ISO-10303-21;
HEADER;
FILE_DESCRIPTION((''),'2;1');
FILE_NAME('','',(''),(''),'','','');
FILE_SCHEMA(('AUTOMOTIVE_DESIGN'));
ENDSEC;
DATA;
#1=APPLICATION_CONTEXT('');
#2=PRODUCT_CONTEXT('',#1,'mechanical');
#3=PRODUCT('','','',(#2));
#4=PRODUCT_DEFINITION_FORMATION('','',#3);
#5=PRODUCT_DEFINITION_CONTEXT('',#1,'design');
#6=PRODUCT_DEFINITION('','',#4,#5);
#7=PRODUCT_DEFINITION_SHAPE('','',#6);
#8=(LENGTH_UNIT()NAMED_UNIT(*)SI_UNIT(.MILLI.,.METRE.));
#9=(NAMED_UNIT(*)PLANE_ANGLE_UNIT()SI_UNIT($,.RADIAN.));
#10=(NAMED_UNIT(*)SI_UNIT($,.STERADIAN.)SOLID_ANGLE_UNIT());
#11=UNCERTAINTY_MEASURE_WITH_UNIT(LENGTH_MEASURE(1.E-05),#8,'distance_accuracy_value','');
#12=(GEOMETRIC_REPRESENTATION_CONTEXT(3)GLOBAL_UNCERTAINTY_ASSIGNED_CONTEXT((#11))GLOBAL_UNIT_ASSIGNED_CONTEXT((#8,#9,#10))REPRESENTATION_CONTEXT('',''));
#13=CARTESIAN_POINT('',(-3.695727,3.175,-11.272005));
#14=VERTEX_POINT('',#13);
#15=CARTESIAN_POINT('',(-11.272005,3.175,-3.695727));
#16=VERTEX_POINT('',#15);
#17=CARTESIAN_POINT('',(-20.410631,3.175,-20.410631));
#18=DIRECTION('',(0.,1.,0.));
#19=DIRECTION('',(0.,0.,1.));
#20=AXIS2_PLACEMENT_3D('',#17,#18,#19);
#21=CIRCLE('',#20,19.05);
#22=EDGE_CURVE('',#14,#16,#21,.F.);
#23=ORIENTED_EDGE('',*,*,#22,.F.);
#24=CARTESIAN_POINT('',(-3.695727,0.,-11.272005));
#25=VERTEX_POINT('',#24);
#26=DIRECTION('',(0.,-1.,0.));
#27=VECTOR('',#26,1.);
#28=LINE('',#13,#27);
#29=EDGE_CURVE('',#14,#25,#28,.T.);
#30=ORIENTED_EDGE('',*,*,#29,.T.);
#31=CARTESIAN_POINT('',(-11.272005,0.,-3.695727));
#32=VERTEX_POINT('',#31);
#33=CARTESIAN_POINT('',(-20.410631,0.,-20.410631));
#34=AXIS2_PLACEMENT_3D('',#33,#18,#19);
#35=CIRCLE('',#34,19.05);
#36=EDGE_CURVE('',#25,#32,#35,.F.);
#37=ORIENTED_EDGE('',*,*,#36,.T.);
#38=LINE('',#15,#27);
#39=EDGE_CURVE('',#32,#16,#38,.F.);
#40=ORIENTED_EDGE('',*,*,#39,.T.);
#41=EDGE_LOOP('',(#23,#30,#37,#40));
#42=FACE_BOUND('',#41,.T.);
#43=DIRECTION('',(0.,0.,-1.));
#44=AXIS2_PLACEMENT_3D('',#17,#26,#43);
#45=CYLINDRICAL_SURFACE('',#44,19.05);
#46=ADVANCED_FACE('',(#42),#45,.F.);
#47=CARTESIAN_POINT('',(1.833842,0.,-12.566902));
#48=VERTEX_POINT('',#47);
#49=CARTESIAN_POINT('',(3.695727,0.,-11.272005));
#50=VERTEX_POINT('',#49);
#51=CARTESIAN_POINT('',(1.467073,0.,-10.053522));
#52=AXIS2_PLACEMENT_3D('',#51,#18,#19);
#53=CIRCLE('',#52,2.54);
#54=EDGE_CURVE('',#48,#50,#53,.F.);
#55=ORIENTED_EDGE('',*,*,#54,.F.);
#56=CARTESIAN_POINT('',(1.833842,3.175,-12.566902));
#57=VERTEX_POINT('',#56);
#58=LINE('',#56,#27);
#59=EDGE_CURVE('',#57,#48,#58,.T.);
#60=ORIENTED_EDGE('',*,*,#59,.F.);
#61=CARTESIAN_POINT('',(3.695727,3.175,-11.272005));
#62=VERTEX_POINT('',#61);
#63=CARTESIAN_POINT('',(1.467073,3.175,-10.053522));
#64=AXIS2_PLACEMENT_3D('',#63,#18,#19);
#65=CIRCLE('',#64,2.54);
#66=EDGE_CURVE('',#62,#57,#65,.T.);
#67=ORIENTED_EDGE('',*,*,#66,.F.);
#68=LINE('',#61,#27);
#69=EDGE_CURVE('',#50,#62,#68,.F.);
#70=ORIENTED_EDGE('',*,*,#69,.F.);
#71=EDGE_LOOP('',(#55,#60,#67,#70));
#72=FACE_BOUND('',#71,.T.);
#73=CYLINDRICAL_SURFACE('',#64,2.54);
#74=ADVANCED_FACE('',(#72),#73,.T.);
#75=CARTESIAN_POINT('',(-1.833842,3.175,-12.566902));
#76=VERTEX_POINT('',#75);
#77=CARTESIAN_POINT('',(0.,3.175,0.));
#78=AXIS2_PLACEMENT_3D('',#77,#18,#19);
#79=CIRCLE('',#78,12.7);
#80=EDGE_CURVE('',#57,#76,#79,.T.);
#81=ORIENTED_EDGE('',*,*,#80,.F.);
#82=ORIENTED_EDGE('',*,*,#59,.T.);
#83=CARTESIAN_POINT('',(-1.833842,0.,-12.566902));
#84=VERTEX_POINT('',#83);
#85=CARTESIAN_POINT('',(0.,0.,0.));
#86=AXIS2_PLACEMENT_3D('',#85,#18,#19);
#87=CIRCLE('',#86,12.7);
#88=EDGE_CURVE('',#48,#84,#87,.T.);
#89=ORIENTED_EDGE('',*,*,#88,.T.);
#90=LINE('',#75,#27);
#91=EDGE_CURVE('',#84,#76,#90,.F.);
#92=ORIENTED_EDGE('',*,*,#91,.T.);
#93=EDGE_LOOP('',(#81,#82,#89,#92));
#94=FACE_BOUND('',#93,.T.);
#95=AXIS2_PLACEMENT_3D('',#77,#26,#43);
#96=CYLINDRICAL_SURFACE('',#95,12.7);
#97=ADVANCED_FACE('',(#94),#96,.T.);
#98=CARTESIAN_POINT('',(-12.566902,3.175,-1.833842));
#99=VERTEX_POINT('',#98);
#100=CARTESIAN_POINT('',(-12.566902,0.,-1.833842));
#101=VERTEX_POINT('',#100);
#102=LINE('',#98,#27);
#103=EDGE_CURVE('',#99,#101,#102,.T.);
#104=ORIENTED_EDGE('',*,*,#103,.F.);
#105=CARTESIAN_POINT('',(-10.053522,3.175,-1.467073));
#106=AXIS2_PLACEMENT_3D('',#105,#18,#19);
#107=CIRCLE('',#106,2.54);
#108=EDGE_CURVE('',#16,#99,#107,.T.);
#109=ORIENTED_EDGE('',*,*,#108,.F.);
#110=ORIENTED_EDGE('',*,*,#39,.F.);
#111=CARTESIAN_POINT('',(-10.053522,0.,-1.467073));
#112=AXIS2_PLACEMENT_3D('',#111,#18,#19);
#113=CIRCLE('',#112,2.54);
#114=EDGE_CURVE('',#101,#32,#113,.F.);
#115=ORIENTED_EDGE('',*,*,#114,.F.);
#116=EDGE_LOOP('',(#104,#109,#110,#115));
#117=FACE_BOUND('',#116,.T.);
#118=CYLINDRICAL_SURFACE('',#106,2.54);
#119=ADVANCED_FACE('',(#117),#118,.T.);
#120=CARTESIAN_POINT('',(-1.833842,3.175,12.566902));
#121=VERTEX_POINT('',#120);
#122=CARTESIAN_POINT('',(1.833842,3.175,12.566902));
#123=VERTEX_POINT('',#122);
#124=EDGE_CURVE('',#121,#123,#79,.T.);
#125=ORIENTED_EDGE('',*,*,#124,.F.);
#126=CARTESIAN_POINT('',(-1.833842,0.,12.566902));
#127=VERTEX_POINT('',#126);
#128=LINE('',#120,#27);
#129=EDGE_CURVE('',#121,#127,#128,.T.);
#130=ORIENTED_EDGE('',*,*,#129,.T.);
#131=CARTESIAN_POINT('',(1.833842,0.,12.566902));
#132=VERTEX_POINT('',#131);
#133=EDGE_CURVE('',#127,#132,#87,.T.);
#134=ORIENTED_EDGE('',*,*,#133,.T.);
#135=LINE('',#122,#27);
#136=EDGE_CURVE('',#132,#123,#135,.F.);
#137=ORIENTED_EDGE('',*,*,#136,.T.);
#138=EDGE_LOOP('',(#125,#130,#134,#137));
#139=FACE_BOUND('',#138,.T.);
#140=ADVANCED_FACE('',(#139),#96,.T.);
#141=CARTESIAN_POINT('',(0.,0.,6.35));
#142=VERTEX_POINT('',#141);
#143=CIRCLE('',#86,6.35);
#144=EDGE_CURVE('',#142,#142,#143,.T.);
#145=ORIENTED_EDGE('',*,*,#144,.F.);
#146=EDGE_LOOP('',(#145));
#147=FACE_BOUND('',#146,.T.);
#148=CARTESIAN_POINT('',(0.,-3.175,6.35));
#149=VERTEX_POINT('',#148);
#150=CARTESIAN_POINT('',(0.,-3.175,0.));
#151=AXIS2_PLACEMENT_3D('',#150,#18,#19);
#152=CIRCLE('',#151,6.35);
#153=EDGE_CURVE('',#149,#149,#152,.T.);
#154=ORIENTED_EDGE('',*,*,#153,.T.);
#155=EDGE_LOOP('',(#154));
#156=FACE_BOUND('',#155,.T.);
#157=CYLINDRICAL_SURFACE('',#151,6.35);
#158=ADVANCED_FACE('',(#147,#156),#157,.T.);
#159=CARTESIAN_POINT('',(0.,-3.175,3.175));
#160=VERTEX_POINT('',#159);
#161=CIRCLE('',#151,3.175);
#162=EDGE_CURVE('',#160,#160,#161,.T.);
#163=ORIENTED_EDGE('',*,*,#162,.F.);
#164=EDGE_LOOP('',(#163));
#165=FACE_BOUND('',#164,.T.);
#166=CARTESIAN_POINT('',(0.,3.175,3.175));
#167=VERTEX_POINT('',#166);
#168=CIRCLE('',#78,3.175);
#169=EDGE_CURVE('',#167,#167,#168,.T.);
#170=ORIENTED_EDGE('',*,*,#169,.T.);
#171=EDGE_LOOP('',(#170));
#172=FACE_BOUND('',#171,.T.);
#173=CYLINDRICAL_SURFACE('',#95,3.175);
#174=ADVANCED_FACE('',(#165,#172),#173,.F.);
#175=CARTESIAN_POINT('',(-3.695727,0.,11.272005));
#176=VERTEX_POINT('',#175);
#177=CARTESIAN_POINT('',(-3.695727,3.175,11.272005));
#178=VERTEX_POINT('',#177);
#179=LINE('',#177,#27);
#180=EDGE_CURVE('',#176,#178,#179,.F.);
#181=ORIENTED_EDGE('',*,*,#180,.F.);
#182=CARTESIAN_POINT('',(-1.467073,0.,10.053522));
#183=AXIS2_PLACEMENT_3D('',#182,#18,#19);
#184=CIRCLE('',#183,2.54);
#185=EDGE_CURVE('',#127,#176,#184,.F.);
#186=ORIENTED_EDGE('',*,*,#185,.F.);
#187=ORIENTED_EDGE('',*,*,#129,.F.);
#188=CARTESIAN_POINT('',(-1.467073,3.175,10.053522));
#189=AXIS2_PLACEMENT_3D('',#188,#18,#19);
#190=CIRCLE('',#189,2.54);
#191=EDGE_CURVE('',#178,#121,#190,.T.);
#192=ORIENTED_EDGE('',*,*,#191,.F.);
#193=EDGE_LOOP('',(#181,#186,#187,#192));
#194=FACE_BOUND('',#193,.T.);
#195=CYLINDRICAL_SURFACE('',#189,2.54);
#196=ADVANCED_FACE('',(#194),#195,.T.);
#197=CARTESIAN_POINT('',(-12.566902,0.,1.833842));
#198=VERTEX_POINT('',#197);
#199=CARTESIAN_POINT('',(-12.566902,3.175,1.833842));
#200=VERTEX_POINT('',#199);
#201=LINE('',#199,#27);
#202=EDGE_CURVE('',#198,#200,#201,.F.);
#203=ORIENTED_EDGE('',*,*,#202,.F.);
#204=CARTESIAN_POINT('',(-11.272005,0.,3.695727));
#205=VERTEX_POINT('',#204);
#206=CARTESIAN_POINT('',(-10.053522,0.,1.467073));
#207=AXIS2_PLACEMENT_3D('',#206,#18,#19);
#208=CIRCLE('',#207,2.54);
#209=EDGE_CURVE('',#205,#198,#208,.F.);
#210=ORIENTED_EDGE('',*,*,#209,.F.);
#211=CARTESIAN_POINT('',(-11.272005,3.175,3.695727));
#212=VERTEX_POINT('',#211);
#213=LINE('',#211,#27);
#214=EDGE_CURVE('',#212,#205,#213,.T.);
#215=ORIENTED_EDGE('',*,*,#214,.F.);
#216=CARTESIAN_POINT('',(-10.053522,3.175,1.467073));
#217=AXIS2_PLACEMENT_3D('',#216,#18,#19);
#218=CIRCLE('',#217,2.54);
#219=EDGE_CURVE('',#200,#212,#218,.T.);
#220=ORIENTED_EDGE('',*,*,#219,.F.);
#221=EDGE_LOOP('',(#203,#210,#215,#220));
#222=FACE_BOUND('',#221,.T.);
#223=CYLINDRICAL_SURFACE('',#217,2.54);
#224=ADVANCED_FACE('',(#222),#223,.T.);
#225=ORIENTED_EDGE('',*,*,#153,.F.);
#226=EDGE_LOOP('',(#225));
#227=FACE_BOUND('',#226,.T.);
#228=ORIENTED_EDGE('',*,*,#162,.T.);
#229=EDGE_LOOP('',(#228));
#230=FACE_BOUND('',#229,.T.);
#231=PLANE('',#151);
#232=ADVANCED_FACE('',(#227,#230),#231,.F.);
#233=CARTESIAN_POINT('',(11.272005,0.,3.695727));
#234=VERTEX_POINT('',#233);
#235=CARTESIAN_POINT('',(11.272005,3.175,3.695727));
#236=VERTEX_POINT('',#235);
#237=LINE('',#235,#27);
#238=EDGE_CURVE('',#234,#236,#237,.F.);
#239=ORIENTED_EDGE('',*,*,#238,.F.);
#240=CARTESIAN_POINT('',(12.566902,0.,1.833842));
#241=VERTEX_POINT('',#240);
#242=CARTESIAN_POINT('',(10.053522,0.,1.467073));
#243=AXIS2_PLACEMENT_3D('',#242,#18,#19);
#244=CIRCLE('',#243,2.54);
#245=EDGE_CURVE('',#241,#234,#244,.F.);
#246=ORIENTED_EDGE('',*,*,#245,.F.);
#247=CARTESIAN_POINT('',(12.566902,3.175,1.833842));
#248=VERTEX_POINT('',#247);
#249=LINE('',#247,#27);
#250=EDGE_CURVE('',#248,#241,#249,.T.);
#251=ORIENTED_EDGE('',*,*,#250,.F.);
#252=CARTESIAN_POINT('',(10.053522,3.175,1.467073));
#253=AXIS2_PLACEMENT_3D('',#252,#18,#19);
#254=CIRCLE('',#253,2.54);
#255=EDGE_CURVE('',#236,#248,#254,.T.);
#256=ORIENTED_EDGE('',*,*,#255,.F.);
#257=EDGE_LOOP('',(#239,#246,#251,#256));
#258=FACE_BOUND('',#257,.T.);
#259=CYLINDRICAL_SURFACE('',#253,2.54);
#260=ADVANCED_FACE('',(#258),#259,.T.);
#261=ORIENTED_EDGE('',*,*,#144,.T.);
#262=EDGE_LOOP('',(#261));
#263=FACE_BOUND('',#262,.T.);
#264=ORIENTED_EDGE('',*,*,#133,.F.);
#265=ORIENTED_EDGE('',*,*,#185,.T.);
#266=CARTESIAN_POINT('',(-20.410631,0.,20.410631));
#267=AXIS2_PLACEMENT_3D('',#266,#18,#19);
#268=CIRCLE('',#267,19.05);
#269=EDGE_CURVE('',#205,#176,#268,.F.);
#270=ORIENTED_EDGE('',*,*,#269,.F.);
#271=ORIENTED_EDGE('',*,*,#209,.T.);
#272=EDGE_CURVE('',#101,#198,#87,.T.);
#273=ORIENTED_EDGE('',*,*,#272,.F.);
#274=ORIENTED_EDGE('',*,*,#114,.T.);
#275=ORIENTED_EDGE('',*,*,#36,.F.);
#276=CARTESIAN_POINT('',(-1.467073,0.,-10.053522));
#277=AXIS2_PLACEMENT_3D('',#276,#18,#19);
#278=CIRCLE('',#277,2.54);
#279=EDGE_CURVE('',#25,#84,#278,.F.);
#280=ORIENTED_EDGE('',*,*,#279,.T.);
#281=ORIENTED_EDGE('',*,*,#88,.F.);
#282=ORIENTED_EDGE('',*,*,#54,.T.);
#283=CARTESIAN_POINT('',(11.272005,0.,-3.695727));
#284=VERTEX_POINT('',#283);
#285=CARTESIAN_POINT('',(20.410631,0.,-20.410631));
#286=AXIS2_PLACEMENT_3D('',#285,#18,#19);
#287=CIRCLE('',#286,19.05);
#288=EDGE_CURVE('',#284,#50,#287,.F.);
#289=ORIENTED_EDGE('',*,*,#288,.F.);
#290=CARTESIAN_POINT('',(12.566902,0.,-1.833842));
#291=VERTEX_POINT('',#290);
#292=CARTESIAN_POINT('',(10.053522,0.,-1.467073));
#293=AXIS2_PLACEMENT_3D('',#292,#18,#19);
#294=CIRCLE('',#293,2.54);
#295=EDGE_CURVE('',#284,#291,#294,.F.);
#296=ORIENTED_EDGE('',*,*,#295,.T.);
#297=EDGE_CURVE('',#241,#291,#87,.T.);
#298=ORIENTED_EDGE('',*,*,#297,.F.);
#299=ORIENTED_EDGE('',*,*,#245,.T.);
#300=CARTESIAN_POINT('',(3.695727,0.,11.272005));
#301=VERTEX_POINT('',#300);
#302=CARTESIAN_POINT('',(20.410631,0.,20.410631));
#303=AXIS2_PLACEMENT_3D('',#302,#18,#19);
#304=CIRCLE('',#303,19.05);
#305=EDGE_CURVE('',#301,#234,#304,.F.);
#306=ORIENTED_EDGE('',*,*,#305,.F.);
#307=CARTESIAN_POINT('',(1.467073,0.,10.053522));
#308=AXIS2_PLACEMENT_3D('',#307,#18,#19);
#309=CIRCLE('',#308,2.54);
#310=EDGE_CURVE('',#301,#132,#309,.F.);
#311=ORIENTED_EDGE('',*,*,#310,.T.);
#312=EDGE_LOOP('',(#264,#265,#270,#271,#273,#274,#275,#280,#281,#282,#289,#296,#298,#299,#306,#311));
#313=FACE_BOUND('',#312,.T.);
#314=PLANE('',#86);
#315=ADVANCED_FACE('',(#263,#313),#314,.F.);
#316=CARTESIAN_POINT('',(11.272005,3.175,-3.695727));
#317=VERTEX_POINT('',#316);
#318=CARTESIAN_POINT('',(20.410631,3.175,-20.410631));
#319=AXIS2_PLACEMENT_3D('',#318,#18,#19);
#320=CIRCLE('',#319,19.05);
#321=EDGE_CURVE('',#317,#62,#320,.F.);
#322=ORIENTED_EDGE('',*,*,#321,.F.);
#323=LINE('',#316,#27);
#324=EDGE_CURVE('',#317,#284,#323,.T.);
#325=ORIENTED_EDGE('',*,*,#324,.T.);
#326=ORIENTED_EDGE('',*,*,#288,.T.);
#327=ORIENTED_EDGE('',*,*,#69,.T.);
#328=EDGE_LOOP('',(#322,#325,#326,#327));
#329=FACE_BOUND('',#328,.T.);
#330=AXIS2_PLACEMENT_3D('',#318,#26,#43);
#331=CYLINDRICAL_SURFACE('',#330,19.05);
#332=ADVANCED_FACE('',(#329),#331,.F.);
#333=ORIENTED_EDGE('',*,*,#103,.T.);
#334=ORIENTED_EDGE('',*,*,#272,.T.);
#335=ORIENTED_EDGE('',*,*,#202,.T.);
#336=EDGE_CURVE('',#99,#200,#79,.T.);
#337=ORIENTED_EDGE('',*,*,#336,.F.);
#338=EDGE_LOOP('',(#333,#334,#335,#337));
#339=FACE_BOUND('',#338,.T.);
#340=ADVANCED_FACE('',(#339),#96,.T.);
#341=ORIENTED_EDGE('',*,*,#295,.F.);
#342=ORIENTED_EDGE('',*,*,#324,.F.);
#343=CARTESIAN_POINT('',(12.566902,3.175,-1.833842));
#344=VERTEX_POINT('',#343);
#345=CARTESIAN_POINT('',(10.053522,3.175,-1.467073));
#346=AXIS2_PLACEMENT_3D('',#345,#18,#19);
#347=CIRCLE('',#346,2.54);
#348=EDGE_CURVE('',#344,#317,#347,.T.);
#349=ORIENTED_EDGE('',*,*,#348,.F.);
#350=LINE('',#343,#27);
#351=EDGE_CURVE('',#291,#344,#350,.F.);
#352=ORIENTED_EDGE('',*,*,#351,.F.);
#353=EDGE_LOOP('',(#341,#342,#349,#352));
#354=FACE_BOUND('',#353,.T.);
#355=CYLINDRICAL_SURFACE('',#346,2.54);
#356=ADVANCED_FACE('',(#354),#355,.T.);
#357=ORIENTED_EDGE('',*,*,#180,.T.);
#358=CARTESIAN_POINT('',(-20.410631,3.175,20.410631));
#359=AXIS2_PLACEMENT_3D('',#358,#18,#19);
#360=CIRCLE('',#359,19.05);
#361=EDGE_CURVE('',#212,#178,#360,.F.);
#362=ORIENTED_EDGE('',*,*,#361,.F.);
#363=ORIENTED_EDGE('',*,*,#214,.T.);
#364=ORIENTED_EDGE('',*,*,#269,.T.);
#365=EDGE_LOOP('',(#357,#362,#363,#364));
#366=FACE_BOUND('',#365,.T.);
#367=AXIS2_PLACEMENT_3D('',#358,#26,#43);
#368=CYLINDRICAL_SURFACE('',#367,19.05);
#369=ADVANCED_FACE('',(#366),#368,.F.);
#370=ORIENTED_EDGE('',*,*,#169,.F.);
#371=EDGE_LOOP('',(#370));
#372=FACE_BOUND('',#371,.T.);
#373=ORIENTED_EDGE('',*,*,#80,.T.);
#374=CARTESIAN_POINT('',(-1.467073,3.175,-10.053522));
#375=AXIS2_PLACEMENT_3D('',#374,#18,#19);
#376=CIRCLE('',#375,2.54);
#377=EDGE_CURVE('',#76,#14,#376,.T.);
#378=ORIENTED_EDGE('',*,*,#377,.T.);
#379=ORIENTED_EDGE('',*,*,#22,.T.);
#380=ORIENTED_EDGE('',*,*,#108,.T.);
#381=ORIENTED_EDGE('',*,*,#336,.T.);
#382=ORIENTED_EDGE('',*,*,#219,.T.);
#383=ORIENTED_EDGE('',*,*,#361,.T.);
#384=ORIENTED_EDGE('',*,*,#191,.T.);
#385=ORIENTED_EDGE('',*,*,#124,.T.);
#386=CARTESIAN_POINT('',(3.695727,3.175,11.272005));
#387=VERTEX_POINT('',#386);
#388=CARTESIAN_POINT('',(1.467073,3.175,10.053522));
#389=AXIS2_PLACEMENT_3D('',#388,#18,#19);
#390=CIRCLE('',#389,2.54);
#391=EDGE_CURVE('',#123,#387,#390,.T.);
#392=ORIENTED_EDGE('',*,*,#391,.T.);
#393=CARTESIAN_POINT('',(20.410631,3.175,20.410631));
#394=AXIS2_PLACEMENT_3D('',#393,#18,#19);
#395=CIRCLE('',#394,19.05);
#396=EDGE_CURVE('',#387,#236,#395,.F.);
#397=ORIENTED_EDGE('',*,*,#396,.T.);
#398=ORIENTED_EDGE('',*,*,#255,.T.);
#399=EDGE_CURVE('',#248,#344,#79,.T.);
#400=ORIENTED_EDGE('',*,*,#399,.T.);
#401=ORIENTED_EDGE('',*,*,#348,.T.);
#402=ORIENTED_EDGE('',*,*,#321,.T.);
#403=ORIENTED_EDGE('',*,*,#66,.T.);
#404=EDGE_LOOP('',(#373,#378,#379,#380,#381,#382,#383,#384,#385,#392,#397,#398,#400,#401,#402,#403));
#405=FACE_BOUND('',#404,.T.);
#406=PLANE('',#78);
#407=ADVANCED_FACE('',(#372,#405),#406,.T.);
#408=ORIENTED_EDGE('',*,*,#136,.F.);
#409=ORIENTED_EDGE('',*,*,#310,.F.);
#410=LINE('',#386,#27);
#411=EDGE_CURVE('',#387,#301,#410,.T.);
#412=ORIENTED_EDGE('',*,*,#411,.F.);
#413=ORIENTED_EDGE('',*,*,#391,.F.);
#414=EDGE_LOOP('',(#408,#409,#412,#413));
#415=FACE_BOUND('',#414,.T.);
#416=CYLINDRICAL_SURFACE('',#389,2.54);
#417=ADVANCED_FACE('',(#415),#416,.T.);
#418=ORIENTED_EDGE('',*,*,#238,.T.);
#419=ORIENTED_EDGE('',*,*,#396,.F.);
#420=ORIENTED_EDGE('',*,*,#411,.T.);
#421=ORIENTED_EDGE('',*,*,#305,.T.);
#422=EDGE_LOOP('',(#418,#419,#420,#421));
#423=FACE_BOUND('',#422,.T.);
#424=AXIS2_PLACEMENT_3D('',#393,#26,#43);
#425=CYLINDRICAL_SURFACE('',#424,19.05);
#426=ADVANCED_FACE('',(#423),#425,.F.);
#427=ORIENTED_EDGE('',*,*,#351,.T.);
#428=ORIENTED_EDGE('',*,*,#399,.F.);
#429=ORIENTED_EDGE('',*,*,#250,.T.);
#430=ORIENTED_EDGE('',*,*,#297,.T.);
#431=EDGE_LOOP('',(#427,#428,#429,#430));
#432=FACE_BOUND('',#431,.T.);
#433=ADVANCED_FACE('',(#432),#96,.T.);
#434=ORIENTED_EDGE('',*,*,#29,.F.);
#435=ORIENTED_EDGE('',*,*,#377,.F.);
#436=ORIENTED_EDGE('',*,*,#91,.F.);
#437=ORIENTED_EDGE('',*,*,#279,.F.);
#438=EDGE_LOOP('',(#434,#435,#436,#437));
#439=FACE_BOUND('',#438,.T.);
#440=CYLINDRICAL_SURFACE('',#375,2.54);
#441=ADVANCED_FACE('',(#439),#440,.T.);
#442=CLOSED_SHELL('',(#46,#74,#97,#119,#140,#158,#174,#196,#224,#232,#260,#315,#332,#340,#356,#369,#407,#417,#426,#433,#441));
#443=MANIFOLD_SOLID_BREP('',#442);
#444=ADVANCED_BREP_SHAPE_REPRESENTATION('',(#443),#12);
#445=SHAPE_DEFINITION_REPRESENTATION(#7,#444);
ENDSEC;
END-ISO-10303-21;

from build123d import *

# Parameters (mm, degrees)
SKETCH1_R           = 3.175
BOSS_EXTRUDE1_DEPTH = 3.175
BOSS_EXTRUDE2_START = -3.175
SKETCH1_3_R         = 3.175
BOSS_EXTRUDE2_DEPTH = 3.175
FILLET1_R           = 2.54


with BuildPart() as part:
    # Sketch1 → Boss-Extrude1 (new body)
    with BuildSketch(Plane(origin=(0, 0, 0), x_dir=(1, 0, 0), z_dir=(0, 1, 0))):
        with BuildLine():
            ThreePointArc((-3.175, 12.296722124), (-6.940246952, 6.940246952), (-12.296722124, 3.175))
            ThreePointArc((-12.296722124, 3.175), (-12.7, 0), (-12.296722124, -3.175))
            ThreePointArc((-12.296722124, -3.175), (-6.940246952, -6.940246952), (-3.175, -12.296722124))
            ThreePointArc((-3.175, -12.296722124), (0, -12.7), (3.175, -12.296722124))
            ThreePointArc((3.175, -12.296722124), (6.940246952, -6.940246952), (12.296722124, -3.175))
            ThreePointArc((12.296722124, -3.175), (12.7, 0), (12.296722124, 3.175))
            ThreePointArc((12.296722124, 3.175), (6.940246952, 6.940246952), (3.175, 12.296722124))
            ThreePointArc((3.175, 12.296722124), (0, 12.7), (-3.175, 12.296722124))
        make_face()
        Circle(SKETCH1_R, mode=Mode.SUBTRACT)
    extrude(amount=BOSS_EXTRUDE1_DEPTH)

    # Sketch1<3> → Boss-Extrude2 (add)
    with BuildSketch(Plane(origin=(0, 0, 0), x_dir=(1, 0, 0), z_dir=(0, 1, 0)).offset(BOSS_EXTRUDE2_START)):
        with BuildLine():
            ThreePointArc((3.175, 5.499261314), (0, 6.35), (-3.175, 5.499261314))
            ThreePointArc((-3.175, 5.499261314), (-4.490128061, 4.490128061), (-5.499261314, 3.175))
            ThreePointArc((-5.499261314, 3.175), (-6.35, 0), (-5.499261314, -3.175))
            ThreePointArc((-5.499261314, -3.175), (-4.490128061, -4.490128061), (-3.175, -5.499261314))
            ThreePointArc((-3.175, -5.499261314), (0, -6.35), (3.175, -5.499261314))
            ThreePointArc((3.175, -5.499261314), (4.490128061, -4.490128061), (5.499261314, -3.175))
            ThreePointArc((5.499261314, -3.175), (6.133628997, -1.643500936), (6.35, 0))
            ThreePointArc((6.35, 0), (6.133628997, 1.643500936), (5.499261314, 3.175))
            ThreePointArc((5.499261314, 3.175), (4.490128061, 4.490128061), (3.175, 5.499261314))
        make_face()
        Circle(SKETCH1_3_R, mode=Mode.SUBTRACT)
    extrude(amount=BOSS_EXTRUDE2_DEPTH)

    # Fillet1
    fillet1_edges = [part.edges().sort_by_distance(p)[0] for p in [
        (12.296722124, 1.5875, -3.175),
        (12.296722124, 1.5875, 3.175),
        (3.175, 1.5875, 12.296722124),
        (-3.175, 1.5875, 12.296722124),
        (-12.296722124, 1.5875, 3.175),
        (-12.296722124, 1.5875, -3.175),
        (3.175, 1.5875, -12.296722124),
        (-3.175, 1.5875, -12.296722124),
    ]]
    fillet(fillet1_edges, radius=FILLET1_R)


solid = part.part
